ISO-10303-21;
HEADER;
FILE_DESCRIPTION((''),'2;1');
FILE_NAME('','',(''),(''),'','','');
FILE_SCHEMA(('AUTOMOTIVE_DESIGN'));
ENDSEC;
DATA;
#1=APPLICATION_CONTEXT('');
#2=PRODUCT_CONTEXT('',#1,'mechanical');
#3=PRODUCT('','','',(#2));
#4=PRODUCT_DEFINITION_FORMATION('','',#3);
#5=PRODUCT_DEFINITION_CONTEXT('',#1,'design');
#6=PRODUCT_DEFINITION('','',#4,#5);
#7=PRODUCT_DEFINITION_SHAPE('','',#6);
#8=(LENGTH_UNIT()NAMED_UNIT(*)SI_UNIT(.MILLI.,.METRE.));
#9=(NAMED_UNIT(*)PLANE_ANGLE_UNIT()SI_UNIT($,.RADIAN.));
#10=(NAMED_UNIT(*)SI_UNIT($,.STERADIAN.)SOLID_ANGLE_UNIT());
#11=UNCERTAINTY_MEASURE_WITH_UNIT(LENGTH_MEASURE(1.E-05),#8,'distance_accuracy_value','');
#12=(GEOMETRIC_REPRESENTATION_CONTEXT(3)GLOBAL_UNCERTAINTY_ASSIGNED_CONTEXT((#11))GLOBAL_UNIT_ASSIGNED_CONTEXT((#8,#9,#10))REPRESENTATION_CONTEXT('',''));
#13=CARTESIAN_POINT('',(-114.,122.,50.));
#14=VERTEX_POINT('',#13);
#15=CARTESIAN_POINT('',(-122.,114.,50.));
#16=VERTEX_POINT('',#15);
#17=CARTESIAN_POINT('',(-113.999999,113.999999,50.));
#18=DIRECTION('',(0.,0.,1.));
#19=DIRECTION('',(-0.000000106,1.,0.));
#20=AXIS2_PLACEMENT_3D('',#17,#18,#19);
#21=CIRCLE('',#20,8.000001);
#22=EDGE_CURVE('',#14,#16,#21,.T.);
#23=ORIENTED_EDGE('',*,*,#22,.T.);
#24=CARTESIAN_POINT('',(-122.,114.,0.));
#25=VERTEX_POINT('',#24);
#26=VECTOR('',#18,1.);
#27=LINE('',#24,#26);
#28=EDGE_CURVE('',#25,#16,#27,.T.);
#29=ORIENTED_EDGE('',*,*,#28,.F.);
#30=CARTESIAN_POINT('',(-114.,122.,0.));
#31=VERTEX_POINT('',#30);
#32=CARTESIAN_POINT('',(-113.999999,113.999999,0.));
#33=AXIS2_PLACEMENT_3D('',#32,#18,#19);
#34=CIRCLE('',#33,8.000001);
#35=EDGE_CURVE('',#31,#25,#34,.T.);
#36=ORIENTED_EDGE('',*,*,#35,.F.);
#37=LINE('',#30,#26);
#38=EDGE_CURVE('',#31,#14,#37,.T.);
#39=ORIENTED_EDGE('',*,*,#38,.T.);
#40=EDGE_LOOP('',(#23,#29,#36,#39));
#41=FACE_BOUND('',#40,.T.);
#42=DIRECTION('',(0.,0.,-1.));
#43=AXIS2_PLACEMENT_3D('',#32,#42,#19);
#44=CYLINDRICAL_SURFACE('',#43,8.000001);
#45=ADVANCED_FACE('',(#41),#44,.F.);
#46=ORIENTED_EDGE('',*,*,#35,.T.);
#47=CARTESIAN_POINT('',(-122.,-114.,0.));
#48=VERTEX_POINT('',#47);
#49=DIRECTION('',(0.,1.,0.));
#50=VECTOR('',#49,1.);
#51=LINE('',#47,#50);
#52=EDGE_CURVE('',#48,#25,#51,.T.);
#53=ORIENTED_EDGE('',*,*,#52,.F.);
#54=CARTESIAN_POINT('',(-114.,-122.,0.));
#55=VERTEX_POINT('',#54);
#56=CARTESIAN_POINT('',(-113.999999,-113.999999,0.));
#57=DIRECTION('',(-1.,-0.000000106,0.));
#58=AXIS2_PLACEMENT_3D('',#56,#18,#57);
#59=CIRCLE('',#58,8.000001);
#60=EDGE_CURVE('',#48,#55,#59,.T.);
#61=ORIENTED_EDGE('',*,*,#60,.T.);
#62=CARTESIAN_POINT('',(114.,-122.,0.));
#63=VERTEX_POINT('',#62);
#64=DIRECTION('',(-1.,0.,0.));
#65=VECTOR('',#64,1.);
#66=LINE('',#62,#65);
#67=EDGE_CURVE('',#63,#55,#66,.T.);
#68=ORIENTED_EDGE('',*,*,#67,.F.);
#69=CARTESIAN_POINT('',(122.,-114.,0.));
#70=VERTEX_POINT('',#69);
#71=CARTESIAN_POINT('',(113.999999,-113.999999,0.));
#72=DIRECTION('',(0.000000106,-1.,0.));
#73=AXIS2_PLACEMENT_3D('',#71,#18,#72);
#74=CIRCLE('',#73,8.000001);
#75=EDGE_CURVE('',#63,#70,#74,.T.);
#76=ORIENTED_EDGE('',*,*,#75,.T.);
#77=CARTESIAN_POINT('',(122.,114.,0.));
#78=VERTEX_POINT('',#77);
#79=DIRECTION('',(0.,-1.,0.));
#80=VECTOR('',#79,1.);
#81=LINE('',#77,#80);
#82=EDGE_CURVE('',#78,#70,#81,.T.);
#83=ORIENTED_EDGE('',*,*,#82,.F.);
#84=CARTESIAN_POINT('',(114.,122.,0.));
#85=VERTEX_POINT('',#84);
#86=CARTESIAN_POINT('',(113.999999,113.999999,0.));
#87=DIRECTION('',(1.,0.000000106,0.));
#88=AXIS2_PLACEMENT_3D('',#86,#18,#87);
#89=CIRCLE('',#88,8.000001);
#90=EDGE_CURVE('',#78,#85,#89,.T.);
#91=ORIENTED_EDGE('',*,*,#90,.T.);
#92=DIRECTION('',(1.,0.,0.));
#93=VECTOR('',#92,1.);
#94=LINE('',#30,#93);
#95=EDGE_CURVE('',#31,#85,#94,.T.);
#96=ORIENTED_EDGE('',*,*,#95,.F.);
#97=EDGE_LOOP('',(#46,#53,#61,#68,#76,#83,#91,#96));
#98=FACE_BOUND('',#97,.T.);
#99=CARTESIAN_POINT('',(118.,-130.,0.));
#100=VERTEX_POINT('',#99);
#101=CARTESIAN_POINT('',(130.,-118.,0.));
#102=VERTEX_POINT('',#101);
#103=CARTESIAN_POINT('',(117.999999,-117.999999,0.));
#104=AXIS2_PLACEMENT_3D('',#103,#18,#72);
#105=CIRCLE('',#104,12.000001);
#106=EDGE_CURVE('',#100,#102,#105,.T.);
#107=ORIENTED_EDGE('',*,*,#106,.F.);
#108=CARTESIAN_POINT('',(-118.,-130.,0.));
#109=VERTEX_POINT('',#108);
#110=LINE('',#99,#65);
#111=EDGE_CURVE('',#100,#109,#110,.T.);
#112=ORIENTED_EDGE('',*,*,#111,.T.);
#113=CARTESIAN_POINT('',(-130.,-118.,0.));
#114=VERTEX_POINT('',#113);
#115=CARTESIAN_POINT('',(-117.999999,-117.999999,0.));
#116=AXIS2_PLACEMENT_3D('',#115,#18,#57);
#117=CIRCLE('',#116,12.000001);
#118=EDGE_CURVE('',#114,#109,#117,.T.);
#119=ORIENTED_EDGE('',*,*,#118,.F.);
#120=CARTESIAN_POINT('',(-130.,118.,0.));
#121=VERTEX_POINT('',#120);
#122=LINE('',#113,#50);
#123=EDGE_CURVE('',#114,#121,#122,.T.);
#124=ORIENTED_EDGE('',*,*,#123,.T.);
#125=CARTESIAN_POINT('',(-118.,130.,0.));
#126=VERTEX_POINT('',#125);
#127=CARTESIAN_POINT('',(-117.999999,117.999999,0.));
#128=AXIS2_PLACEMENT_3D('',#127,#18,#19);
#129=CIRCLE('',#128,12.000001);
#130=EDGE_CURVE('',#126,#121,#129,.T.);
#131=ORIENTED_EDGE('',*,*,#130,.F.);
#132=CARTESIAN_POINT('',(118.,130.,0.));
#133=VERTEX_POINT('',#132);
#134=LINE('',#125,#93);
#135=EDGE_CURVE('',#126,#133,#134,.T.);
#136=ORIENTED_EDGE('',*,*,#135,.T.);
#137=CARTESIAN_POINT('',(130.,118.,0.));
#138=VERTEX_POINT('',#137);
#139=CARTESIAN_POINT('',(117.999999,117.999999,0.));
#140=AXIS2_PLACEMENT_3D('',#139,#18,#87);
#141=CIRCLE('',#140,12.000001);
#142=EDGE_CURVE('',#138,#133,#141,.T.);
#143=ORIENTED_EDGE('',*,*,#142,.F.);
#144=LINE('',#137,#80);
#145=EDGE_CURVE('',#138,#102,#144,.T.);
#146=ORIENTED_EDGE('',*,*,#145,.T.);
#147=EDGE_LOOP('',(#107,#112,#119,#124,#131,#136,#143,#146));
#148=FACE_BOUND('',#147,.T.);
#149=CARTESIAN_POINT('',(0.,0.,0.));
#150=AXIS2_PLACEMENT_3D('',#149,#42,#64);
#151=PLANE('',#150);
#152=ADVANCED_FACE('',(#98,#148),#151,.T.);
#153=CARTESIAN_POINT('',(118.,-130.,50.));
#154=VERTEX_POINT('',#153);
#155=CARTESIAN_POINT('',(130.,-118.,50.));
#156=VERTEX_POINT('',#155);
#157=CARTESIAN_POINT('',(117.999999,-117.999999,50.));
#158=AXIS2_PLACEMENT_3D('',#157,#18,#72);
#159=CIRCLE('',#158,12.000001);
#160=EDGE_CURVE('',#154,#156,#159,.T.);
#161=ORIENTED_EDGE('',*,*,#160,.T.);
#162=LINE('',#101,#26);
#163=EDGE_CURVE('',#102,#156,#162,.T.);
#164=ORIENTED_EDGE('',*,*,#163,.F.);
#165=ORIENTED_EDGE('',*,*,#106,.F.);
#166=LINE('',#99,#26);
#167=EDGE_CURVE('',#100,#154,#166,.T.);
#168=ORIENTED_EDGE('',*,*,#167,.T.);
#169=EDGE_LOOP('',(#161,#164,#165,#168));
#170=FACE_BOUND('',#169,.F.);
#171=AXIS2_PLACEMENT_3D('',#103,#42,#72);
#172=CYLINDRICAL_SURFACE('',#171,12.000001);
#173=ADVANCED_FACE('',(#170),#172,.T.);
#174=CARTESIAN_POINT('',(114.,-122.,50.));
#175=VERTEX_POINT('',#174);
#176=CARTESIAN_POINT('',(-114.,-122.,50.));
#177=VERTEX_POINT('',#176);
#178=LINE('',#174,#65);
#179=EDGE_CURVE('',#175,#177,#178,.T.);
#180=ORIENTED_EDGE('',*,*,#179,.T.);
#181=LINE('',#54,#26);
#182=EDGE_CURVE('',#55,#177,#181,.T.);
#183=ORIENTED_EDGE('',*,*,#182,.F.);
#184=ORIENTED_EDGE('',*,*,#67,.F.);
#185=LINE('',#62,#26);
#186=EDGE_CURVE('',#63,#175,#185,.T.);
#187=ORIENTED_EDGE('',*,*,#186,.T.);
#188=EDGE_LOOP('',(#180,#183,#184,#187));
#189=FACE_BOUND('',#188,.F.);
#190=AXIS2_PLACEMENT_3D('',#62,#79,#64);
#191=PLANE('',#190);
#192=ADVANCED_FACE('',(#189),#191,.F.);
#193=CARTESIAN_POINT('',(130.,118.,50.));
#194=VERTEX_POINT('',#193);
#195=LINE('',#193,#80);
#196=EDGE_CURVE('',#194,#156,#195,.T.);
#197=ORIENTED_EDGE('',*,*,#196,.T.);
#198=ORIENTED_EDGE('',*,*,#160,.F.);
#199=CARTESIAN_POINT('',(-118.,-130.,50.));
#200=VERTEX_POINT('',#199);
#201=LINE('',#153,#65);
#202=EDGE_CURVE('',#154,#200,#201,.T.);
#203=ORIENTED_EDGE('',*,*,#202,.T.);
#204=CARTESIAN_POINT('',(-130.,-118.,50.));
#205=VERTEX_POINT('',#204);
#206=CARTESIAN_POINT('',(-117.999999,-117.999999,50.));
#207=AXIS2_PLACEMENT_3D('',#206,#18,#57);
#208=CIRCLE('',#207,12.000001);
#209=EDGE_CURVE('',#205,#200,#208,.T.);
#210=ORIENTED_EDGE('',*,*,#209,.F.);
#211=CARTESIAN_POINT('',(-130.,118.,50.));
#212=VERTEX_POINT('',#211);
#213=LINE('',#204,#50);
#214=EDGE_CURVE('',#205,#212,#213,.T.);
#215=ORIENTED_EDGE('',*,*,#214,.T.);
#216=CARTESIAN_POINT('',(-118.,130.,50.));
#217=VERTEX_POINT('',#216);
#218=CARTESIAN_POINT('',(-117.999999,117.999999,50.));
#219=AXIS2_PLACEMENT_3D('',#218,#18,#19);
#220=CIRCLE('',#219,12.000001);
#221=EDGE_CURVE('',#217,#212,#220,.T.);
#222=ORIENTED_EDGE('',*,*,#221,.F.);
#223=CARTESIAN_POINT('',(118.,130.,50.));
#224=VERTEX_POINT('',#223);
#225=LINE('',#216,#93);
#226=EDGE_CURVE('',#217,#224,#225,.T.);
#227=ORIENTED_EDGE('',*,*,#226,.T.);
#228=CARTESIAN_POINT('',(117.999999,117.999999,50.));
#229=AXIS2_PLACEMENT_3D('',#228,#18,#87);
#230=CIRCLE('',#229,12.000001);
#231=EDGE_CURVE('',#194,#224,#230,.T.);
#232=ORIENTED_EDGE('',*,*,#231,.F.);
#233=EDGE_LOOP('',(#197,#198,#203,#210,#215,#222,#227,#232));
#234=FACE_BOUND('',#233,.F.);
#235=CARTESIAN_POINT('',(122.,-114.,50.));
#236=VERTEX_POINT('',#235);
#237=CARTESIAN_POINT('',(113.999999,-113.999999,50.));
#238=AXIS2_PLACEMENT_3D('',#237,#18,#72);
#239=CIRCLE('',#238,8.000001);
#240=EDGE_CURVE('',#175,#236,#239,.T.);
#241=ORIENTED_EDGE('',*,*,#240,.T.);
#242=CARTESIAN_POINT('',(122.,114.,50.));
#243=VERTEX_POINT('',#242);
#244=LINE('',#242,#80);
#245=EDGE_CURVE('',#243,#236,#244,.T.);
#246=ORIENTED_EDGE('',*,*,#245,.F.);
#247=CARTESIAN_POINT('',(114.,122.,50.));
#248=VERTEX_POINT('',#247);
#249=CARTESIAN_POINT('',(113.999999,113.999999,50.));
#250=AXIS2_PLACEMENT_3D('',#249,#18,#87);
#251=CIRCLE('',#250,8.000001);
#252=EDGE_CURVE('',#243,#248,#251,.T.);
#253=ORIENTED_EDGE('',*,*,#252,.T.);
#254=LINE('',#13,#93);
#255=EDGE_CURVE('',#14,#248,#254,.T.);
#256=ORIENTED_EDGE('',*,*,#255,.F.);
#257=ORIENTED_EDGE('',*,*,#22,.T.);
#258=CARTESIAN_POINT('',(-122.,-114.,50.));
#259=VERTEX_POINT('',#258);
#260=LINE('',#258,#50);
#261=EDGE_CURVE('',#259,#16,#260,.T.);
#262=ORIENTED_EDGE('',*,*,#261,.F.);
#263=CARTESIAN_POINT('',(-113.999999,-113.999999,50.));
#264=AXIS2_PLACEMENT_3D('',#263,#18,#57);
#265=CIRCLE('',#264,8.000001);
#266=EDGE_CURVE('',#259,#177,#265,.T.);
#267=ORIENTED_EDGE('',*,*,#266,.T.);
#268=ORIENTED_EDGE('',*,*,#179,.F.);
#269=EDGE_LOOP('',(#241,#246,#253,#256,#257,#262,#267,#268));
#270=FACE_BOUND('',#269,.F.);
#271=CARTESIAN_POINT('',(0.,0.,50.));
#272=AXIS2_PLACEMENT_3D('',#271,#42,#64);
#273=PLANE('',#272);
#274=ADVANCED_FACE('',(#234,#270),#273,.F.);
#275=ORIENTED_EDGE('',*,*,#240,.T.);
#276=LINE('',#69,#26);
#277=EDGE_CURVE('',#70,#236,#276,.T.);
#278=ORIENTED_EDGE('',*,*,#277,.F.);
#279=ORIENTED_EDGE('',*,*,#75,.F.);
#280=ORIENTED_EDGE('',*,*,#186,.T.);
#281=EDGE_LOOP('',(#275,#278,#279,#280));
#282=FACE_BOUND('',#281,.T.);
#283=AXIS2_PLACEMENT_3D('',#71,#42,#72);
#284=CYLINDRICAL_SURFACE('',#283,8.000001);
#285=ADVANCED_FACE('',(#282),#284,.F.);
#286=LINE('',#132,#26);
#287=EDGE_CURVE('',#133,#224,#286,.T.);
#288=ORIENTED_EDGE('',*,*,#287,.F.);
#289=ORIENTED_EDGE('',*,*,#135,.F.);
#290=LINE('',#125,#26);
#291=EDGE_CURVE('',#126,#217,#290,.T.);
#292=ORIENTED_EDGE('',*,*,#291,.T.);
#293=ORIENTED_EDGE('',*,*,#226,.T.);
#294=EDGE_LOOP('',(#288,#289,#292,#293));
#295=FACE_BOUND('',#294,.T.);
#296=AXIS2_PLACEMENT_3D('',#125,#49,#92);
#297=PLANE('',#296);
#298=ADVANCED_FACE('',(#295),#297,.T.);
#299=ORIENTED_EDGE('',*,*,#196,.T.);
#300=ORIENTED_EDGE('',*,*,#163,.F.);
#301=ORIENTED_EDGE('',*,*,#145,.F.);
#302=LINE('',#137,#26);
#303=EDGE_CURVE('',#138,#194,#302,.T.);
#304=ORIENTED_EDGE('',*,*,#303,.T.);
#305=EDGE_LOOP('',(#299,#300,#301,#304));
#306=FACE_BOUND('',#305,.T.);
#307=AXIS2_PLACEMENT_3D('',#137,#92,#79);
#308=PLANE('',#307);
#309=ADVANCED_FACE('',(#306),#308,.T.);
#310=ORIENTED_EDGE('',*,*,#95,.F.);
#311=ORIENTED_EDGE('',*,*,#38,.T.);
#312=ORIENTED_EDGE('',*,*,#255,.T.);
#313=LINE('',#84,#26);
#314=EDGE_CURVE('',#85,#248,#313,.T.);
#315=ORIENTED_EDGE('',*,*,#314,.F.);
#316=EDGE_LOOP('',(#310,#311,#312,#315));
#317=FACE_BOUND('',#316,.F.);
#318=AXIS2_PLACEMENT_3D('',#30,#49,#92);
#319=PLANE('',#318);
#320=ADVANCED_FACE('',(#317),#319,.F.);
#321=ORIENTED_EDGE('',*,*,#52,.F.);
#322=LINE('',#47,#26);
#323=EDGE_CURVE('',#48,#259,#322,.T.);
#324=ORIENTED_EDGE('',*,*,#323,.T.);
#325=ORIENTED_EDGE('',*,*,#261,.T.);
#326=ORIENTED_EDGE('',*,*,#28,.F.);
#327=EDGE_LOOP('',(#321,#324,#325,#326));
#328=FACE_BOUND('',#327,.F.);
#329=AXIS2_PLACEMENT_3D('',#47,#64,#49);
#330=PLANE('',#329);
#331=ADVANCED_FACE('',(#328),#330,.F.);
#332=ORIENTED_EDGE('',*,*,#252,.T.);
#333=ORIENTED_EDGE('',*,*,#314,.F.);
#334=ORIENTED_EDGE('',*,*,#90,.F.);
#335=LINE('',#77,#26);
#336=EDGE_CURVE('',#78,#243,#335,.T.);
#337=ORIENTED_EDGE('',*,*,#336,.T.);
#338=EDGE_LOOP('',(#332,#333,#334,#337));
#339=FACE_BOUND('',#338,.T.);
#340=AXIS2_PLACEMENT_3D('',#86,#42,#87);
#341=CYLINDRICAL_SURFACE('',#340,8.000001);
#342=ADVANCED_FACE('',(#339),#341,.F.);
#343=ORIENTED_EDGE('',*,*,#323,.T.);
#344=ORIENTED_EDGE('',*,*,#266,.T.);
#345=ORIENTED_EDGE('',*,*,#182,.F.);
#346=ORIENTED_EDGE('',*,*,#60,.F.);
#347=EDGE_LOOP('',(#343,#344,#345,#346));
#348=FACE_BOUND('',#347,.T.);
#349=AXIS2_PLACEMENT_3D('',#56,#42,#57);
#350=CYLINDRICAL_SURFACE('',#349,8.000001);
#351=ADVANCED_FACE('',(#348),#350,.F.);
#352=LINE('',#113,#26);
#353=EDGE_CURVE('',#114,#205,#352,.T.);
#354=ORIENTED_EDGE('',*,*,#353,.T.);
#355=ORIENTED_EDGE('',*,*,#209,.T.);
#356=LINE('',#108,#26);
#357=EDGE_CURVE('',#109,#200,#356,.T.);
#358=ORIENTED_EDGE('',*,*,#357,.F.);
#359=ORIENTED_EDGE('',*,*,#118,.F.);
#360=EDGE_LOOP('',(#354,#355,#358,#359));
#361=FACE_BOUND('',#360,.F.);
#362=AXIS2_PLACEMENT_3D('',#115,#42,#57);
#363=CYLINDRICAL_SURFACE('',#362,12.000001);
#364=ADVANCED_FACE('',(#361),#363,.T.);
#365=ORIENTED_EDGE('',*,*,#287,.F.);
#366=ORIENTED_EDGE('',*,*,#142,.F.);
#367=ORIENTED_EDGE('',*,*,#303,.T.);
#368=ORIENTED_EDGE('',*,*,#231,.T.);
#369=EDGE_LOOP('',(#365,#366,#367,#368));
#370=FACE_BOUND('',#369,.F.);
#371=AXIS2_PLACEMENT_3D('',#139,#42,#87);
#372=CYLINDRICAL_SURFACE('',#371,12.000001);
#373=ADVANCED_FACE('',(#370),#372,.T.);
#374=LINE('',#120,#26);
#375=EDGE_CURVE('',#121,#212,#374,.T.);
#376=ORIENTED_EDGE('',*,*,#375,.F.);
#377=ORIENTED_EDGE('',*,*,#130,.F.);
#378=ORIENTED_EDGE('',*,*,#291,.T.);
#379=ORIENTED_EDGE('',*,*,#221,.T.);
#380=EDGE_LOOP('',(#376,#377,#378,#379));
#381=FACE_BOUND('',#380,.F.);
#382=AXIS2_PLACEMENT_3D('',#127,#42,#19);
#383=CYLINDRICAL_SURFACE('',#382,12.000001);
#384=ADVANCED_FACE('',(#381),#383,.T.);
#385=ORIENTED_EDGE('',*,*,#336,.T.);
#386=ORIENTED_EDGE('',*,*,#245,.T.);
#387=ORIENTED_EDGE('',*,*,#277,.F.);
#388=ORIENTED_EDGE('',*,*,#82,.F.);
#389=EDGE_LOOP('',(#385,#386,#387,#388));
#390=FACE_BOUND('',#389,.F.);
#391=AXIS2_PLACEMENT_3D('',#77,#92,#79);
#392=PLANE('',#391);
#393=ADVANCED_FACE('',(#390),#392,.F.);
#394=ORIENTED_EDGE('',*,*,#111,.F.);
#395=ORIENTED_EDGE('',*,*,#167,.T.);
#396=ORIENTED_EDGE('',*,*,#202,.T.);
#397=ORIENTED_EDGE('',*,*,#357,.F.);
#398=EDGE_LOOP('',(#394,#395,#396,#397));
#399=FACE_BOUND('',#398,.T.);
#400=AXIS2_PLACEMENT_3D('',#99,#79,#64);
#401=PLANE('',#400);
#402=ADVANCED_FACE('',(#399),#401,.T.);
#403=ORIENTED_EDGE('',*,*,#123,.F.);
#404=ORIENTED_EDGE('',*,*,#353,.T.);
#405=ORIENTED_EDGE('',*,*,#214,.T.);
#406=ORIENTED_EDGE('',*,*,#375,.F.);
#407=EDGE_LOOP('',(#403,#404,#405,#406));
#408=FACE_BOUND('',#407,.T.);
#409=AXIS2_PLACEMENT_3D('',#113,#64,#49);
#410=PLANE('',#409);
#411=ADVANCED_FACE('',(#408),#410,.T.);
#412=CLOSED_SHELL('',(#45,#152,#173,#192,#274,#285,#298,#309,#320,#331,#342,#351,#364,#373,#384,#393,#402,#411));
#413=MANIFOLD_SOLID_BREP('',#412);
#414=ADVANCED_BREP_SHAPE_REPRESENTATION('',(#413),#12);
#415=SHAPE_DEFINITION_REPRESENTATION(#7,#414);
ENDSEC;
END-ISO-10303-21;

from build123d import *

# Parameters (mm, degrees)
EXTRUDE_DEPTH = 50


with BuildPart() as part:
    # Sketch → Extrude (new body)
    with BuildSketch(Plane.XY):
        with BuildLine():
            Line((-118, 130), (118, 130))
            ThreePointArc((130, 118), (126.485281, 126.485281), (118, 130))
            Line((130, 118), (130, -118))
            ThreePointArc((118, -130), (126.485281, -126.485281), (130, -118))
            Line((118, -130), (-118, -130))
            ThreePointArc((-130, -118), (-126.485281, -126.485281), (-118, -130))
            Line((-130, -118), (-130, 118))
            ThreePointArc((-118, 130), (-126.485281, 126.485281), (-130, 118))
        make_face()
        with BuildLine():
            Line((-114, 122), (114, 122))
            ThreePointArc((122, 114), (119.656854, 119.656854), (114, 122))
            Line((122, 114), (122, -114))
            ThreePointArc((114, -122), (119.656854, -119.656854), (122, -114))
            Line((114, -122), (-114, -122))
            ThreePointArc((-122, -114), (-119.656854, -119.656854), (-114, -122))
            Line((-122, -114), (-122, 114))
            ThreePointArc((-114, 122), (-119.656854, 119.656854), (-122, 114))
        make_face(mode=Mode.SUBTRACT)
    extrude(amount=EXTRUDE_DEPTH)


solid = part.part
